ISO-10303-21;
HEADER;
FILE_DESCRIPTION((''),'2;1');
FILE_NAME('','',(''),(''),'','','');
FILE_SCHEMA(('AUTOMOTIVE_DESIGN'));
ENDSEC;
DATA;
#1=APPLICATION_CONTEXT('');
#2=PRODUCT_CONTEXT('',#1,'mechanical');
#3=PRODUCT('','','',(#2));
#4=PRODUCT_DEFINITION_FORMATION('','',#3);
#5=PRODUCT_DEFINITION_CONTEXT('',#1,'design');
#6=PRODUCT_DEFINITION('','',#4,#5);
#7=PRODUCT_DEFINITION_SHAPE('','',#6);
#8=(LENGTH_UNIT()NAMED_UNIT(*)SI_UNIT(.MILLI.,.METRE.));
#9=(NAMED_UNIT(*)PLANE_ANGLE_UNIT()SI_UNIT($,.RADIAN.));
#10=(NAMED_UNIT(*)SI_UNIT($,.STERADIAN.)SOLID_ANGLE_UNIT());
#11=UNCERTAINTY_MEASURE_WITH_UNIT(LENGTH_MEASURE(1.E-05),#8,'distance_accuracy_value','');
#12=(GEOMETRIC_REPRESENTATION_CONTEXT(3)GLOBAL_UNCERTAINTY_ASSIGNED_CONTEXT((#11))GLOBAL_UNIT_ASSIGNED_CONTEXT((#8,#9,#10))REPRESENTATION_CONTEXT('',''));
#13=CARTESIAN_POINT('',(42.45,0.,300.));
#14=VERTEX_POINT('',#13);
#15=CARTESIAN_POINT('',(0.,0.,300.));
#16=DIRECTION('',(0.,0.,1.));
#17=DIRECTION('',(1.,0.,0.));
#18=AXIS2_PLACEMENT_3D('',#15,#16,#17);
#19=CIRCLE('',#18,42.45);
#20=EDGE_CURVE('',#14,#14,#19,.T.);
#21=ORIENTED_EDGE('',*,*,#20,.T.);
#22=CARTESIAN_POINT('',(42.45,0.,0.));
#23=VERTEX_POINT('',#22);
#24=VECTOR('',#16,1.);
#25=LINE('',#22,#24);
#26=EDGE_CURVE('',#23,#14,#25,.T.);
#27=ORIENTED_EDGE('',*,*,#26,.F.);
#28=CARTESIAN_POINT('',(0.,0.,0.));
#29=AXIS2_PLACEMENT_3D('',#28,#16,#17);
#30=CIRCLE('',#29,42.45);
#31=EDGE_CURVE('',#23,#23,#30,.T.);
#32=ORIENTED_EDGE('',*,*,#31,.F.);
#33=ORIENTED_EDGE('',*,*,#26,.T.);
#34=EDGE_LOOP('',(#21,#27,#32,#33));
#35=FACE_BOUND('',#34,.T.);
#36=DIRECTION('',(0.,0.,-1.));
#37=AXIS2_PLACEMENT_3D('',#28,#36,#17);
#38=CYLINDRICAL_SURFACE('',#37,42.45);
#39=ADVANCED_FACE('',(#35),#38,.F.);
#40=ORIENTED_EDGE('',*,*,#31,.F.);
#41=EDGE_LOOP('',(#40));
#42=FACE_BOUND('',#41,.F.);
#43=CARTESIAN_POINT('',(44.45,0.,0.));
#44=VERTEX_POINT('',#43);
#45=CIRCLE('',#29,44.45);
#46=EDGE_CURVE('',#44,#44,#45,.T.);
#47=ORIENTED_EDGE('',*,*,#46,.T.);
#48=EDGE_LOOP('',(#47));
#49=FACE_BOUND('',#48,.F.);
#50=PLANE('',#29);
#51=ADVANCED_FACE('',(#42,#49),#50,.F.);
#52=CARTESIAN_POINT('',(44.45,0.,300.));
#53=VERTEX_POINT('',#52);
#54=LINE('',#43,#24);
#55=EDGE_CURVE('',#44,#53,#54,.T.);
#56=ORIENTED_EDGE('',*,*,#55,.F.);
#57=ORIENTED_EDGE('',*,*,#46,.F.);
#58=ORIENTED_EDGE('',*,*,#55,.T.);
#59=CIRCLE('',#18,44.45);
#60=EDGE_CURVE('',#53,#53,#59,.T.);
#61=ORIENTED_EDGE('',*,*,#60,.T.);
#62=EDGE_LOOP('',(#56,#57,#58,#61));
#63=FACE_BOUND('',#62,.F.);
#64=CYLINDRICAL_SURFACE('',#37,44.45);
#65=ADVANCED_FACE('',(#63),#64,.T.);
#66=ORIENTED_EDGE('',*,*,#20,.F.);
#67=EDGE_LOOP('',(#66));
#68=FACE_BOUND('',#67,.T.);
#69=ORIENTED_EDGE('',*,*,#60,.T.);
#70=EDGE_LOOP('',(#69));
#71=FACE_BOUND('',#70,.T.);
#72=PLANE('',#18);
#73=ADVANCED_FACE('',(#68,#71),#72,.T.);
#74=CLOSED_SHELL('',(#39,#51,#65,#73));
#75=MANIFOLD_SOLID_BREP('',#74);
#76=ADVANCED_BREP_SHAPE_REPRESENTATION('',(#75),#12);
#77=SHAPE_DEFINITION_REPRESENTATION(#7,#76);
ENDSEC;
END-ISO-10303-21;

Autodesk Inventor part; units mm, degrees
ref_plane "YZ Plane" through (0, 0, 0) normal (1, 0, 0) x (0, 1, 0)
ref_plane "Start plane" through (0, 0, 0) normal (0, 0, 1) x (1, 0, 0)
ref_plane "End plane" through (0, 0, 300) normal (0, 0, 1) x (1, 0, 0)
sketch "Sketch" plane through (0, 0, 0) normal (0, 0, 1) x (1, 0, 0)
  circle A0 centre (0, 0) radius 42.45
  circle A1 centre (0, 0) radius 44.45
  dimension "d0" = 88.9
  dimension "d1" = 2
extrude "Body" add sketch "Sketch" along normal up to surface (300 mm away) from surface at 0
sketch "Sketch3" plane through (0, 0, 0) normal (0, 0, 1) x (1, 0, 0)
  line L0 (0, 0) -> (10, 0)
ref_plane "Work Plane3" through (0, 0, 0) normal (0, -1, 0) x (1, 0, 0)
sketch "Sketch4" plane through (0, 0, 0) normal (0, -1, 0) x (1, 0, 0)
  line L0 (-2, 0) -> (12, 0) projected
  line L1 (-2, 300) -> (12, 300) projected
  dimension "d7" = 300
equation "\"d0\" = G_H"
equation "\"d1\" = G_T"
equation "\"d2\" = G_L"
equation "\"G_H\" = 88.9"
equation "\"G_T\" = 2"
equation "\"G_L\" = d7"
equation "\"G_OFFSET_START\" = 0"
equation "\"G_OFFSET_END\" = 0"
properties part number "MSC 711 tube" material "Stainless Steel"
